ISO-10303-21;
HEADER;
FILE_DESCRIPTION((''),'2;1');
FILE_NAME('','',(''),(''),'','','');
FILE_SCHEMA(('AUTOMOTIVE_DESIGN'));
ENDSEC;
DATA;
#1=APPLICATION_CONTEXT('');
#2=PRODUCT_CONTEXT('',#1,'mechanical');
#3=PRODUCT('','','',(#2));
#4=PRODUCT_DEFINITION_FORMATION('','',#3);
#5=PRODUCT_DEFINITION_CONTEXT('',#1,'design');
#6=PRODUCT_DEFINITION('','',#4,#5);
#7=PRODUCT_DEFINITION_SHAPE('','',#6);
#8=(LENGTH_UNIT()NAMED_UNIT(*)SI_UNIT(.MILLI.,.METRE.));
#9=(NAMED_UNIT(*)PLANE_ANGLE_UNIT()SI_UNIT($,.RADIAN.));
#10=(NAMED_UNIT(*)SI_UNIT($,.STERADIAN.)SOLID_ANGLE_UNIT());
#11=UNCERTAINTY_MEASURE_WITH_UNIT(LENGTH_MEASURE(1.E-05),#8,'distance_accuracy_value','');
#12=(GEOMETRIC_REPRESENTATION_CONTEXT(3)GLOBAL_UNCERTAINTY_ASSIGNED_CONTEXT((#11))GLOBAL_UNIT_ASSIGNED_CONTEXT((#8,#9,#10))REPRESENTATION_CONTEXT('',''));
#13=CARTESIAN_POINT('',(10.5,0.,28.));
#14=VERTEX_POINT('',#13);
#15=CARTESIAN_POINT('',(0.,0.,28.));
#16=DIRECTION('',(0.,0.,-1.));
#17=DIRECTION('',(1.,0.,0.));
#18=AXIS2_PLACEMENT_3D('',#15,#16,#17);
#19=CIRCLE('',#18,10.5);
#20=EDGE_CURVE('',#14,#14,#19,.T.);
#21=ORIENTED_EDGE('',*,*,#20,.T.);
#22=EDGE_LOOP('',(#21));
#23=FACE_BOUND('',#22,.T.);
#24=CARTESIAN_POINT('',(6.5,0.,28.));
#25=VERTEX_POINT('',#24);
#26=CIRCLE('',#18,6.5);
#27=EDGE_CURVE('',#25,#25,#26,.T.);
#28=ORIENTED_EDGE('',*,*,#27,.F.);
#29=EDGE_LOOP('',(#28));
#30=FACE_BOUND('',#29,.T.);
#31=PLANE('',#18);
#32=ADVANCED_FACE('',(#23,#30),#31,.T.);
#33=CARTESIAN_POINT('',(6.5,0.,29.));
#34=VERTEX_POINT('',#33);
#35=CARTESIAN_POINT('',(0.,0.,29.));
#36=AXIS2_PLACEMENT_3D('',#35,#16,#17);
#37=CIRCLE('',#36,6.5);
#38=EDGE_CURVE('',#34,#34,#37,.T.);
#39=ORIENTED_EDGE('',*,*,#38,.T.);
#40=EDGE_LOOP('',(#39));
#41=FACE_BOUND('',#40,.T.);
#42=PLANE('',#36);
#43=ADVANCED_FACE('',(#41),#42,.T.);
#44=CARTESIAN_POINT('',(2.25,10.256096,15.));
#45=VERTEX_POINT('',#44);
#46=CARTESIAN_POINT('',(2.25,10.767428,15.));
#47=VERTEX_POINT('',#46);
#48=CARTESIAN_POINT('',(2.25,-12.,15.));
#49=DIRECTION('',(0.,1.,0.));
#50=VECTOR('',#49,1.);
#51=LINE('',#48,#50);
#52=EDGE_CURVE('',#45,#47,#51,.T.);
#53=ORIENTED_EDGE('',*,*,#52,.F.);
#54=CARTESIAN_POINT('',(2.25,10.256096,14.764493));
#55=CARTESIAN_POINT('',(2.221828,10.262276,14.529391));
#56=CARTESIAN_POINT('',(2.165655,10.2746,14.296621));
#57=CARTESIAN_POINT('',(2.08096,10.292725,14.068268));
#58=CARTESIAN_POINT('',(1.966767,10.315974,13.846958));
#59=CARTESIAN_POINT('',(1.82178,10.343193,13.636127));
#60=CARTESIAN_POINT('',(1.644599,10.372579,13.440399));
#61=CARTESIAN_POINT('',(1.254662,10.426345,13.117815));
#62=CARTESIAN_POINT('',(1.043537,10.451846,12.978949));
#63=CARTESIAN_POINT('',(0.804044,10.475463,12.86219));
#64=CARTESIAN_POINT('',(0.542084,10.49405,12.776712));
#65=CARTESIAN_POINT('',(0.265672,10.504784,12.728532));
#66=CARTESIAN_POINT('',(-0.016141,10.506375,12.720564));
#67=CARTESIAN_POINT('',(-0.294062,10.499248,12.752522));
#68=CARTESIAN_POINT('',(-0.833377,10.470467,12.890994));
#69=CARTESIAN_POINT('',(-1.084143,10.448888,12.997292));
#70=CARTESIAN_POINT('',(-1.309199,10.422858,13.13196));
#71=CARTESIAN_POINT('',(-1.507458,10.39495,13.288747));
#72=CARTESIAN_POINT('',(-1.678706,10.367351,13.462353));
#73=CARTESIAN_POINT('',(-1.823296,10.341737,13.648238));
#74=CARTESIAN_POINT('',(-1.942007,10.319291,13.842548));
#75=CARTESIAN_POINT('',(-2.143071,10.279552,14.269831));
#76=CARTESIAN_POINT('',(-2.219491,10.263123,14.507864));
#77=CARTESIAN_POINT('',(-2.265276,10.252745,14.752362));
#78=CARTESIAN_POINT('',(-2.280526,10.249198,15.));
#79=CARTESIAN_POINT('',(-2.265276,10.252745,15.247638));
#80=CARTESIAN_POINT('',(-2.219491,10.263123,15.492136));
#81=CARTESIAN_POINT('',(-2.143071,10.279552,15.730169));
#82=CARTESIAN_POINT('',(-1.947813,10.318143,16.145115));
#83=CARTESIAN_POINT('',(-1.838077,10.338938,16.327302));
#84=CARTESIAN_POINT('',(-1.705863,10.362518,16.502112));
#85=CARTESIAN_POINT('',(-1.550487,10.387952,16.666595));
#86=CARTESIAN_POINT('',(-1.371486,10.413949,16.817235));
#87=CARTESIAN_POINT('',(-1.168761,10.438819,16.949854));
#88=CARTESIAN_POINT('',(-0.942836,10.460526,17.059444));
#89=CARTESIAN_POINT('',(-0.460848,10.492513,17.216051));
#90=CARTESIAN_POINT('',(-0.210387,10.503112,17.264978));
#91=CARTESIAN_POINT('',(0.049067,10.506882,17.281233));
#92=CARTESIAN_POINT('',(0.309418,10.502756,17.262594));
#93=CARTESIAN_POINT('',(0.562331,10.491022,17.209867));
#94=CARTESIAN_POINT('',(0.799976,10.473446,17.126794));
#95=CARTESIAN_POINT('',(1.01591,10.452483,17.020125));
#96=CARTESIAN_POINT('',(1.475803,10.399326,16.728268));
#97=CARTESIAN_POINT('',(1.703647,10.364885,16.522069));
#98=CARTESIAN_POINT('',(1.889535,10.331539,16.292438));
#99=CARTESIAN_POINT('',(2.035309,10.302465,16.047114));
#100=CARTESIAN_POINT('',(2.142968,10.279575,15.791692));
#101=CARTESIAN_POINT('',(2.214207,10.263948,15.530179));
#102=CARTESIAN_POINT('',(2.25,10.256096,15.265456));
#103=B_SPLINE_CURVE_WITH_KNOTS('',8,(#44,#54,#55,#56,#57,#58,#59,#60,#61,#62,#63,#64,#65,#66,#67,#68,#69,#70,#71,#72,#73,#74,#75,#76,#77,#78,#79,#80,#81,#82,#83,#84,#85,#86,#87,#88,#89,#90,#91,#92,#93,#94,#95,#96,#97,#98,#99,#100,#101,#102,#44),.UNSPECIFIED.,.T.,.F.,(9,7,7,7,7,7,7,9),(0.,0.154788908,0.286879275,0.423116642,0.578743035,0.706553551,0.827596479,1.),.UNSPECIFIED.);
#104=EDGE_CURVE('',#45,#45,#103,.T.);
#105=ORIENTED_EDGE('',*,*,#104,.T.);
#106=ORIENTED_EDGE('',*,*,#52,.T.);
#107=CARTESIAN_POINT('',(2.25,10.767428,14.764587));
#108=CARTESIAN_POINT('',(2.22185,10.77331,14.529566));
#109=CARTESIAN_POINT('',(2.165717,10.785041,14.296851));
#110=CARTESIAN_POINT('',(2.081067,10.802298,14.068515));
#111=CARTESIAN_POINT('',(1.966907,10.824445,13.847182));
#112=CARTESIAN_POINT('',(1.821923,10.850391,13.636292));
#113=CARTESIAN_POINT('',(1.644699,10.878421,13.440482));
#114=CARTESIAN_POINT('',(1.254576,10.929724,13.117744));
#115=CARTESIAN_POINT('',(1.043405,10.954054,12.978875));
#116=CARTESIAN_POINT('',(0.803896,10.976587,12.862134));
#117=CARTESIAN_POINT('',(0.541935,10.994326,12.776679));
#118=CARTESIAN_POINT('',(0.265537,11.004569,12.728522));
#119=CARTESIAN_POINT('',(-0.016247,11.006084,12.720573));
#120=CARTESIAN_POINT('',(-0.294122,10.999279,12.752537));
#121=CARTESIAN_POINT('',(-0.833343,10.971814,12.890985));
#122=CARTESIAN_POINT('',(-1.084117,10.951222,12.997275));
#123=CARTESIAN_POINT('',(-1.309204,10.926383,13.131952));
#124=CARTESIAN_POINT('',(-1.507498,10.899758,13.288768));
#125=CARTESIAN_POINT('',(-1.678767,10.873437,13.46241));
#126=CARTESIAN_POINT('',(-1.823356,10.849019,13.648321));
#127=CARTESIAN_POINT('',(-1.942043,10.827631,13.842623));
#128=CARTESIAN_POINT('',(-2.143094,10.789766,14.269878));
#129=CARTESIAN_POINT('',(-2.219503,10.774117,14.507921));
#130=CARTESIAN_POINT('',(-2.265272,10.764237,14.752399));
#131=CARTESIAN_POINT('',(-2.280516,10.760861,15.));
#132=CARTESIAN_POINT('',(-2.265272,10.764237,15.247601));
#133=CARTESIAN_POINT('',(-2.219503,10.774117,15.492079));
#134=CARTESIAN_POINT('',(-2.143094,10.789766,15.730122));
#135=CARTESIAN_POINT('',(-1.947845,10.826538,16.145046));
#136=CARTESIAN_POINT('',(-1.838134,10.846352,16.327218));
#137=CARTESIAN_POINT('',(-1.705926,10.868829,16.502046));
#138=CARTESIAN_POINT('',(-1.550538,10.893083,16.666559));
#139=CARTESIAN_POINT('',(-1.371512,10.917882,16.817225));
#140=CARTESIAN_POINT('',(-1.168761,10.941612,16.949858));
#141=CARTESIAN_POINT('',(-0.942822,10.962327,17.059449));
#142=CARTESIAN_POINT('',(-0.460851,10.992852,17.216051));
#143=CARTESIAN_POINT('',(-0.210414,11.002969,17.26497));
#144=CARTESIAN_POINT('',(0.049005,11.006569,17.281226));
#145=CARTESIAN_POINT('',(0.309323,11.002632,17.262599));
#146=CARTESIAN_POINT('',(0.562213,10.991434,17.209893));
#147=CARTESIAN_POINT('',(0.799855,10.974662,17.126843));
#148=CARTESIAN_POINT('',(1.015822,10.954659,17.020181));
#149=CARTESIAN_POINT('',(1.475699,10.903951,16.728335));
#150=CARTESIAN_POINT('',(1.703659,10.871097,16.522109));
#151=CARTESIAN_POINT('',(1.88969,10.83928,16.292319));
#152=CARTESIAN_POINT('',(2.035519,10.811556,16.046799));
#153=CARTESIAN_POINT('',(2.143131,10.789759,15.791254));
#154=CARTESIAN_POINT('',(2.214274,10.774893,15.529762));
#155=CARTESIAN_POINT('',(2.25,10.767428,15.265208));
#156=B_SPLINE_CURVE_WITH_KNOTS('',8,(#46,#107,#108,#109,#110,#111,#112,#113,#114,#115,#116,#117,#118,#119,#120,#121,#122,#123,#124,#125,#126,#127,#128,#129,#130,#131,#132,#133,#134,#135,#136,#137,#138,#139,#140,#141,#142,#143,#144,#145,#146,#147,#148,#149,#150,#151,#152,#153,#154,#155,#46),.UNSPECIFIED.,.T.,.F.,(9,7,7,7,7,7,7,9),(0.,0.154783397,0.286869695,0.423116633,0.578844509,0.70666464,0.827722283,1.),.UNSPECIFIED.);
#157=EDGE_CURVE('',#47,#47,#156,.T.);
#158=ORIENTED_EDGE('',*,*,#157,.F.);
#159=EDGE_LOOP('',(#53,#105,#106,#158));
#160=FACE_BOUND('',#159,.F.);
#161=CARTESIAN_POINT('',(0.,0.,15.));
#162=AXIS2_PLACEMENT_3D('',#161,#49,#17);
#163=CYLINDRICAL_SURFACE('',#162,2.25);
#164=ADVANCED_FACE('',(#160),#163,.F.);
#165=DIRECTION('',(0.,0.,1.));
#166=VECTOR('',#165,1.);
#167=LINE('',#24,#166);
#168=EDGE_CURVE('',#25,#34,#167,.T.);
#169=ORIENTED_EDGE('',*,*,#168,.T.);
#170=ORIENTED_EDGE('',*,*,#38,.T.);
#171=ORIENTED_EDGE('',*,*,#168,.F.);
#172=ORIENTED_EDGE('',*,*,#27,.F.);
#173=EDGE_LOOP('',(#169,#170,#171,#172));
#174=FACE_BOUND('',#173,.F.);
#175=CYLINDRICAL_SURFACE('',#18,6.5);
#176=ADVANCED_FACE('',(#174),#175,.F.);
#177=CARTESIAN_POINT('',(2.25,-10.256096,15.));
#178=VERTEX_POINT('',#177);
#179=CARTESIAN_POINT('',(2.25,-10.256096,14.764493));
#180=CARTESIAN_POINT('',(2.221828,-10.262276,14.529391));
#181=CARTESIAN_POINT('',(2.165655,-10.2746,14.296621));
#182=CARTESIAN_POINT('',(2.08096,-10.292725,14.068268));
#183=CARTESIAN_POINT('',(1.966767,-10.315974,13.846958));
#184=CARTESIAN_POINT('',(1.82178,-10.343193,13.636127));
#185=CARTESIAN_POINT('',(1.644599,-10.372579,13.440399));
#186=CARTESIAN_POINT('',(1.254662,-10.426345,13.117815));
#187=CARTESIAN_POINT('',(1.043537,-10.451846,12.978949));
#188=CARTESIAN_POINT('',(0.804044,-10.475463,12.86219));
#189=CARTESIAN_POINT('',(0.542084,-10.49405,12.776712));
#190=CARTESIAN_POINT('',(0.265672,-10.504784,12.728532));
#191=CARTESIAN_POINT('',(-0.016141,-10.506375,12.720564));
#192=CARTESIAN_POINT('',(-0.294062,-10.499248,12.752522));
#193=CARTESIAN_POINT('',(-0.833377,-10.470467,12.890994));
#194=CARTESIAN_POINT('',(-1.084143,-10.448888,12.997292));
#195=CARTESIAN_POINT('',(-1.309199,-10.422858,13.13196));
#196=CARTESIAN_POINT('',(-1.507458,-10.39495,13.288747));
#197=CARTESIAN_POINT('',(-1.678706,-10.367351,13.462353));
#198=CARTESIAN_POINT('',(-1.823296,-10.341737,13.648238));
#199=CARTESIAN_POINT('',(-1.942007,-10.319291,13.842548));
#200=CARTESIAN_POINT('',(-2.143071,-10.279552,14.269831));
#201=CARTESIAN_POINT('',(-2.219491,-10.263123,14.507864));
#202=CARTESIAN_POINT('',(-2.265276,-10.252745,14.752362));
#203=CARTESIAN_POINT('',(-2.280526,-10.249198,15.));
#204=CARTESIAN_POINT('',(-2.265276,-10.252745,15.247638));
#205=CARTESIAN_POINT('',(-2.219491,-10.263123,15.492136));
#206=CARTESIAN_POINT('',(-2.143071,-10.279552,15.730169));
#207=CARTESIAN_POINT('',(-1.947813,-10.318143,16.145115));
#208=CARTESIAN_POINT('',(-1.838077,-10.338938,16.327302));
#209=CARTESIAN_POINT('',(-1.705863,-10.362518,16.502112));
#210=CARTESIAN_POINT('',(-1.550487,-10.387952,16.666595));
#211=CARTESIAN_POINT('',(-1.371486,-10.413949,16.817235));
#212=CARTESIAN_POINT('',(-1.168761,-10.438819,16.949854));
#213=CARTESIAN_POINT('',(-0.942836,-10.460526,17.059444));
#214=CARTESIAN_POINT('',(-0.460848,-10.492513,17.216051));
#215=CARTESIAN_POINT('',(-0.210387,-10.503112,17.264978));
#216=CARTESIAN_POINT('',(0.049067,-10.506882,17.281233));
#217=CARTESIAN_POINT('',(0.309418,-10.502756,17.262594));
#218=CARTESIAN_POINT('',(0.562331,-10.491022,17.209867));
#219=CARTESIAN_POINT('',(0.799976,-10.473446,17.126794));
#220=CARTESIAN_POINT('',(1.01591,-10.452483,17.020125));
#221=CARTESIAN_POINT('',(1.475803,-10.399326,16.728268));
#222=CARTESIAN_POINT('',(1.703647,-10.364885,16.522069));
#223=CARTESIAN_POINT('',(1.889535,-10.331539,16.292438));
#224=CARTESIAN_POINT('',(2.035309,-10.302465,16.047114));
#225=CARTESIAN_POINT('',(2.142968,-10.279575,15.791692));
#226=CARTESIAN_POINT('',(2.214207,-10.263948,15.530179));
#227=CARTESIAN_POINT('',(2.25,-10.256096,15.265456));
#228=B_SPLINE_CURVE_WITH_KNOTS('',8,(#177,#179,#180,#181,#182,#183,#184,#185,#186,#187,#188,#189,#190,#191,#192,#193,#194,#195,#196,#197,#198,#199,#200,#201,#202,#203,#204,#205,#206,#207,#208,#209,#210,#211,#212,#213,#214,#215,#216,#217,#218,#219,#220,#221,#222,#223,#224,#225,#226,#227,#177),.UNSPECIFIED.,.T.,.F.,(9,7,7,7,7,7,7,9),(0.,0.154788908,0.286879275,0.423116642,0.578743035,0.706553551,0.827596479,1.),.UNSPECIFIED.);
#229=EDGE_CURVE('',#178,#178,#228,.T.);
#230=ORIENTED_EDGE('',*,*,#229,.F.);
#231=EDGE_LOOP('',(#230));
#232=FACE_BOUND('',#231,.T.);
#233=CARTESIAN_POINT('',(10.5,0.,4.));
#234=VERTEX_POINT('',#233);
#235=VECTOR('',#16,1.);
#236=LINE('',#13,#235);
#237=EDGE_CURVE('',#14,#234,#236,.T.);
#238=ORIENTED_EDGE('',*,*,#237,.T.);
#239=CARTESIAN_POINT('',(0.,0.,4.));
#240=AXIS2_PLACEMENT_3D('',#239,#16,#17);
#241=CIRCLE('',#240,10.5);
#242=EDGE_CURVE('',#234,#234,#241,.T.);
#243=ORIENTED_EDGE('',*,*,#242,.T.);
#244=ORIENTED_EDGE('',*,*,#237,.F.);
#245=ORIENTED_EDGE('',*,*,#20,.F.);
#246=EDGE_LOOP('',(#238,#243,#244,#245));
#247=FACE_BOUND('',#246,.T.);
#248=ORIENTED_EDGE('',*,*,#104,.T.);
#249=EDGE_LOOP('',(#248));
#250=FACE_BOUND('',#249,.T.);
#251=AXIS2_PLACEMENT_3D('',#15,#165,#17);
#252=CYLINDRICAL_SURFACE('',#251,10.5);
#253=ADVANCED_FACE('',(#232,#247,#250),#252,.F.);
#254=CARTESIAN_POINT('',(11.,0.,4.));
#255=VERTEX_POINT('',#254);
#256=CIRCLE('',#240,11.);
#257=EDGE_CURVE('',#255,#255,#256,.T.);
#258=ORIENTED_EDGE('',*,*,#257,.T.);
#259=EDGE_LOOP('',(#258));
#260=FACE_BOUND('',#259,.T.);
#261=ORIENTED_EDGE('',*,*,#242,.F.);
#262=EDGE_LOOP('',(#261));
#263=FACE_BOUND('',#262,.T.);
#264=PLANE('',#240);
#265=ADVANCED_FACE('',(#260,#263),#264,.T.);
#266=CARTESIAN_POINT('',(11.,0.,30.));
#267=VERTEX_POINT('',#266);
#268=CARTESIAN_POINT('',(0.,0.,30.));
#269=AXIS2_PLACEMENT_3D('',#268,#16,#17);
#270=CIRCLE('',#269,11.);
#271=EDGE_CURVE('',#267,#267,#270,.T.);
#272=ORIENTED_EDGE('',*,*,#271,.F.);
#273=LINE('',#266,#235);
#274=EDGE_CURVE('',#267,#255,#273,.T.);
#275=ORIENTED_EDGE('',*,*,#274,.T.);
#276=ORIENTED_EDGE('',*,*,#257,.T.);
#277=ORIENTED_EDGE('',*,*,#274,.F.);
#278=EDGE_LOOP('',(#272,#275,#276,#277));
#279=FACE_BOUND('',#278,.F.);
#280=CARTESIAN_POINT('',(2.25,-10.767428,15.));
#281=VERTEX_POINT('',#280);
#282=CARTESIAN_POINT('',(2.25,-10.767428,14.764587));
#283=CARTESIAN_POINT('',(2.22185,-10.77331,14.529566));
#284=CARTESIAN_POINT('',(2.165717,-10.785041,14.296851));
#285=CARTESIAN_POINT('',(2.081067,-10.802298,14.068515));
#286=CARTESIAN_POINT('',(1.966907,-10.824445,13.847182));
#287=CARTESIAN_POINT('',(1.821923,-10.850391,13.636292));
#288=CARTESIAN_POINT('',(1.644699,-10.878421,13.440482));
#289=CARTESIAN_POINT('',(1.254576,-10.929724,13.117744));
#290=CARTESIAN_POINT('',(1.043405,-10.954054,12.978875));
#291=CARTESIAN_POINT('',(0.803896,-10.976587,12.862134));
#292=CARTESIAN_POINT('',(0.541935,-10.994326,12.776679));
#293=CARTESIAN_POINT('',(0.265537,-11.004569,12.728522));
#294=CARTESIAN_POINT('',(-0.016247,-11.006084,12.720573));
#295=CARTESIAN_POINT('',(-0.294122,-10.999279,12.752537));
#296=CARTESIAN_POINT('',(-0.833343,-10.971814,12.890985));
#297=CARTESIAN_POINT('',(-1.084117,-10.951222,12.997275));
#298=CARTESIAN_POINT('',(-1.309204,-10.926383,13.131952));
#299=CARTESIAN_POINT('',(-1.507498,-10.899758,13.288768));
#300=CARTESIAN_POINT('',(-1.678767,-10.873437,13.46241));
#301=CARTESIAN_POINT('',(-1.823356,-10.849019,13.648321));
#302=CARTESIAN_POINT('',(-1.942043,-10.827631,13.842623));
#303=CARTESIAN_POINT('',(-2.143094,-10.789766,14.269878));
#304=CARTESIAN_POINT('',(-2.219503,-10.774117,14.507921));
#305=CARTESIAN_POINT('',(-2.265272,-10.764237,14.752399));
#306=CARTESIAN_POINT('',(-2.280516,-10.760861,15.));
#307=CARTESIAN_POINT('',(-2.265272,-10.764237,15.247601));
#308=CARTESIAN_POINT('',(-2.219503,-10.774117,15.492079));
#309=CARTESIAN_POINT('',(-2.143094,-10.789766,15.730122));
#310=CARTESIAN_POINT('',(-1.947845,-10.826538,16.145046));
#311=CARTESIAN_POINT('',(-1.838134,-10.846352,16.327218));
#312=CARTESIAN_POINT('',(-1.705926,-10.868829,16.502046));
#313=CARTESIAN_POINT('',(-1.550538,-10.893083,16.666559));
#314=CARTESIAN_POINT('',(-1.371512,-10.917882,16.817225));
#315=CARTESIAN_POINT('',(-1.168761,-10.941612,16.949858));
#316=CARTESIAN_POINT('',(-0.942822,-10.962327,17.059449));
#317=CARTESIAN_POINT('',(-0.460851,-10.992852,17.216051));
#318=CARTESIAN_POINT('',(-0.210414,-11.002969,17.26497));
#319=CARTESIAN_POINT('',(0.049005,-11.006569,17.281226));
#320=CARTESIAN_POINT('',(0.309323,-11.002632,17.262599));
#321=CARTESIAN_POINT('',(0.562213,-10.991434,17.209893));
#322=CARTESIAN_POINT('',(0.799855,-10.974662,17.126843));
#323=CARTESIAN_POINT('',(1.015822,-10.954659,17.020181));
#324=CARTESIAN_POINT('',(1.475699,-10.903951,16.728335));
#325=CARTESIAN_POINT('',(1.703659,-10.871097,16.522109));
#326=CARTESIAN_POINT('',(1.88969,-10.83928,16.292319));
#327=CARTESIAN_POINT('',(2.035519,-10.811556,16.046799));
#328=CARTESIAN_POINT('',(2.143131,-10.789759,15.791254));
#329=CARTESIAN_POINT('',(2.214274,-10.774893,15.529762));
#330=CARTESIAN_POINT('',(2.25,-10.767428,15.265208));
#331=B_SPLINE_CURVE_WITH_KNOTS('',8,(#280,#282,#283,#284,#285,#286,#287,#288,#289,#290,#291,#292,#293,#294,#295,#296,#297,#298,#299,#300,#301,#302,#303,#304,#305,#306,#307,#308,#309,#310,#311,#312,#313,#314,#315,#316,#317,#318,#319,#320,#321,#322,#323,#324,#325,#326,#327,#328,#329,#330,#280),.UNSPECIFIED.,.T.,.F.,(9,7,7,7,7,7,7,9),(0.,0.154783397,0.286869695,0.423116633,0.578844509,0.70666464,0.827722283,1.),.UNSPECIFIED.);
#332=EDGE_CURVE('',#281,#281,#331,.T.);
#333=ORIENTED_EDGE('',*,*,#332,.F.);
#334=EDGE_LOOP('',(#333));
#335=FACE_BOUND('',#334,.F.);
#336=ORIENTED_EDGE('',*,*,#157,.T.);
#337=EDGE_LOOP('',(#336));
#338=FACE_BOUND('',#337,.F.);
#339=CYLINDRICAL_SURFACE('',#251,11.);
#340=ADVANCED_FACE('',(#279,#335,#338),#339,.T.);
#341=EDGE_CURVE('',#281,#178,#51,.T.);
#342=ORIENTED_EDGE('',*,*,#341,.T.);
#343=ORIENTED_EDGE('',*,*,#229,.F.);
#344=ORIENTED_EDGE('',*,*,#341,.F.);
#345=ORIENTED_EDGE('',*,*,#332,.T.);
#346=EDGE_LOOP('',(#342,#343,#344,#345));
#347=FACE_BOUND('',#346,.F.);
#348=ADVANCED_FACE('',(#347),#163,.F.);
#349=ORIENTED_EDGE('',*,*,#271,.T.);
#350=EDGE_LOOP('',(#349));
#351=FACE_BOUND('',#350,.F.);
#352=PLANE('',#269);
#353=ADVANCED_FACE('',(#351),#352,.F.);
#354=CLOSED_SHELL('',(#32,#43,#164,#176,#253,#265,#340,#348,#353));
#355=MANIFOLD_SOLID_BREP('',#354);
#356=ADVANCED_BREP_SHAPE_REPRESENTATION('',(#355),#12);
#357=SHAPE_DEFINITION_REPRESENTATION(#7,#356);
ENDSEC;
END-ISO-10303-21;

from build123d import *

# Parameters (mm, degrees)
SKETCH014_R             = 11
PAD013_DEPTH            = 2
SKETCH015_R             = 6.5
POCKET005_DEPTH         = 1
SKETCH016_R             = 11
SKETCH016_R_2           = 10.5
PAD014_DEPTH            = 24
SKETCH017_R             = 2.25
POCKET006_DEPTH         = 12
BODY009_PLACEMENT_ANGLE = 180


with BuildPart() as part:
    # Sketch014 → Pad013 (new body)
    with BuildSketch(Plane.XY):
        Circle(SKETCH014_R)
    extrude(amount=PAD013_DEPTH)

    # Sketch015 (on Face3 of Pad013) → Pocket005 (cut)
    with BuildSketch(Plane.XY.offset(2)):
        Circle(SKETCH015_R)
    extrude(amount=-POCKET005_DEPTH, mode=Mode.SUBTRACT)

    # Sketch016 (on Face3 of Pocket005) → Pad014 (join)
    with BuildSketch(Plane.XY.offset(2)):
        Circle(SKETCH016_R)
        Circle(SKETCH016_R_2, mode=Mode.SUBTRACT)
    extrude(amount=PAD014_DEPTH)

    # Sketch017 → Pocket006 (cut, symmetric)
    with BuildSketch(Plane.XZ):
        with Locations((0, 15)):
            Circle(SKETCH017_R)
    extrude(amount=POCKET006_DEPTH, both=True, mode=Mode.SUBTRACT)


with BuildPart() as part_1:
    # Body009 placement: moved
    add(part.part.moved(Location((0, 0, 30))).rotate(Axis((0, 0, 30), (1, 0, 0)), BODY009_PLACEMENT_ANGLE))


solid = part_1.part
